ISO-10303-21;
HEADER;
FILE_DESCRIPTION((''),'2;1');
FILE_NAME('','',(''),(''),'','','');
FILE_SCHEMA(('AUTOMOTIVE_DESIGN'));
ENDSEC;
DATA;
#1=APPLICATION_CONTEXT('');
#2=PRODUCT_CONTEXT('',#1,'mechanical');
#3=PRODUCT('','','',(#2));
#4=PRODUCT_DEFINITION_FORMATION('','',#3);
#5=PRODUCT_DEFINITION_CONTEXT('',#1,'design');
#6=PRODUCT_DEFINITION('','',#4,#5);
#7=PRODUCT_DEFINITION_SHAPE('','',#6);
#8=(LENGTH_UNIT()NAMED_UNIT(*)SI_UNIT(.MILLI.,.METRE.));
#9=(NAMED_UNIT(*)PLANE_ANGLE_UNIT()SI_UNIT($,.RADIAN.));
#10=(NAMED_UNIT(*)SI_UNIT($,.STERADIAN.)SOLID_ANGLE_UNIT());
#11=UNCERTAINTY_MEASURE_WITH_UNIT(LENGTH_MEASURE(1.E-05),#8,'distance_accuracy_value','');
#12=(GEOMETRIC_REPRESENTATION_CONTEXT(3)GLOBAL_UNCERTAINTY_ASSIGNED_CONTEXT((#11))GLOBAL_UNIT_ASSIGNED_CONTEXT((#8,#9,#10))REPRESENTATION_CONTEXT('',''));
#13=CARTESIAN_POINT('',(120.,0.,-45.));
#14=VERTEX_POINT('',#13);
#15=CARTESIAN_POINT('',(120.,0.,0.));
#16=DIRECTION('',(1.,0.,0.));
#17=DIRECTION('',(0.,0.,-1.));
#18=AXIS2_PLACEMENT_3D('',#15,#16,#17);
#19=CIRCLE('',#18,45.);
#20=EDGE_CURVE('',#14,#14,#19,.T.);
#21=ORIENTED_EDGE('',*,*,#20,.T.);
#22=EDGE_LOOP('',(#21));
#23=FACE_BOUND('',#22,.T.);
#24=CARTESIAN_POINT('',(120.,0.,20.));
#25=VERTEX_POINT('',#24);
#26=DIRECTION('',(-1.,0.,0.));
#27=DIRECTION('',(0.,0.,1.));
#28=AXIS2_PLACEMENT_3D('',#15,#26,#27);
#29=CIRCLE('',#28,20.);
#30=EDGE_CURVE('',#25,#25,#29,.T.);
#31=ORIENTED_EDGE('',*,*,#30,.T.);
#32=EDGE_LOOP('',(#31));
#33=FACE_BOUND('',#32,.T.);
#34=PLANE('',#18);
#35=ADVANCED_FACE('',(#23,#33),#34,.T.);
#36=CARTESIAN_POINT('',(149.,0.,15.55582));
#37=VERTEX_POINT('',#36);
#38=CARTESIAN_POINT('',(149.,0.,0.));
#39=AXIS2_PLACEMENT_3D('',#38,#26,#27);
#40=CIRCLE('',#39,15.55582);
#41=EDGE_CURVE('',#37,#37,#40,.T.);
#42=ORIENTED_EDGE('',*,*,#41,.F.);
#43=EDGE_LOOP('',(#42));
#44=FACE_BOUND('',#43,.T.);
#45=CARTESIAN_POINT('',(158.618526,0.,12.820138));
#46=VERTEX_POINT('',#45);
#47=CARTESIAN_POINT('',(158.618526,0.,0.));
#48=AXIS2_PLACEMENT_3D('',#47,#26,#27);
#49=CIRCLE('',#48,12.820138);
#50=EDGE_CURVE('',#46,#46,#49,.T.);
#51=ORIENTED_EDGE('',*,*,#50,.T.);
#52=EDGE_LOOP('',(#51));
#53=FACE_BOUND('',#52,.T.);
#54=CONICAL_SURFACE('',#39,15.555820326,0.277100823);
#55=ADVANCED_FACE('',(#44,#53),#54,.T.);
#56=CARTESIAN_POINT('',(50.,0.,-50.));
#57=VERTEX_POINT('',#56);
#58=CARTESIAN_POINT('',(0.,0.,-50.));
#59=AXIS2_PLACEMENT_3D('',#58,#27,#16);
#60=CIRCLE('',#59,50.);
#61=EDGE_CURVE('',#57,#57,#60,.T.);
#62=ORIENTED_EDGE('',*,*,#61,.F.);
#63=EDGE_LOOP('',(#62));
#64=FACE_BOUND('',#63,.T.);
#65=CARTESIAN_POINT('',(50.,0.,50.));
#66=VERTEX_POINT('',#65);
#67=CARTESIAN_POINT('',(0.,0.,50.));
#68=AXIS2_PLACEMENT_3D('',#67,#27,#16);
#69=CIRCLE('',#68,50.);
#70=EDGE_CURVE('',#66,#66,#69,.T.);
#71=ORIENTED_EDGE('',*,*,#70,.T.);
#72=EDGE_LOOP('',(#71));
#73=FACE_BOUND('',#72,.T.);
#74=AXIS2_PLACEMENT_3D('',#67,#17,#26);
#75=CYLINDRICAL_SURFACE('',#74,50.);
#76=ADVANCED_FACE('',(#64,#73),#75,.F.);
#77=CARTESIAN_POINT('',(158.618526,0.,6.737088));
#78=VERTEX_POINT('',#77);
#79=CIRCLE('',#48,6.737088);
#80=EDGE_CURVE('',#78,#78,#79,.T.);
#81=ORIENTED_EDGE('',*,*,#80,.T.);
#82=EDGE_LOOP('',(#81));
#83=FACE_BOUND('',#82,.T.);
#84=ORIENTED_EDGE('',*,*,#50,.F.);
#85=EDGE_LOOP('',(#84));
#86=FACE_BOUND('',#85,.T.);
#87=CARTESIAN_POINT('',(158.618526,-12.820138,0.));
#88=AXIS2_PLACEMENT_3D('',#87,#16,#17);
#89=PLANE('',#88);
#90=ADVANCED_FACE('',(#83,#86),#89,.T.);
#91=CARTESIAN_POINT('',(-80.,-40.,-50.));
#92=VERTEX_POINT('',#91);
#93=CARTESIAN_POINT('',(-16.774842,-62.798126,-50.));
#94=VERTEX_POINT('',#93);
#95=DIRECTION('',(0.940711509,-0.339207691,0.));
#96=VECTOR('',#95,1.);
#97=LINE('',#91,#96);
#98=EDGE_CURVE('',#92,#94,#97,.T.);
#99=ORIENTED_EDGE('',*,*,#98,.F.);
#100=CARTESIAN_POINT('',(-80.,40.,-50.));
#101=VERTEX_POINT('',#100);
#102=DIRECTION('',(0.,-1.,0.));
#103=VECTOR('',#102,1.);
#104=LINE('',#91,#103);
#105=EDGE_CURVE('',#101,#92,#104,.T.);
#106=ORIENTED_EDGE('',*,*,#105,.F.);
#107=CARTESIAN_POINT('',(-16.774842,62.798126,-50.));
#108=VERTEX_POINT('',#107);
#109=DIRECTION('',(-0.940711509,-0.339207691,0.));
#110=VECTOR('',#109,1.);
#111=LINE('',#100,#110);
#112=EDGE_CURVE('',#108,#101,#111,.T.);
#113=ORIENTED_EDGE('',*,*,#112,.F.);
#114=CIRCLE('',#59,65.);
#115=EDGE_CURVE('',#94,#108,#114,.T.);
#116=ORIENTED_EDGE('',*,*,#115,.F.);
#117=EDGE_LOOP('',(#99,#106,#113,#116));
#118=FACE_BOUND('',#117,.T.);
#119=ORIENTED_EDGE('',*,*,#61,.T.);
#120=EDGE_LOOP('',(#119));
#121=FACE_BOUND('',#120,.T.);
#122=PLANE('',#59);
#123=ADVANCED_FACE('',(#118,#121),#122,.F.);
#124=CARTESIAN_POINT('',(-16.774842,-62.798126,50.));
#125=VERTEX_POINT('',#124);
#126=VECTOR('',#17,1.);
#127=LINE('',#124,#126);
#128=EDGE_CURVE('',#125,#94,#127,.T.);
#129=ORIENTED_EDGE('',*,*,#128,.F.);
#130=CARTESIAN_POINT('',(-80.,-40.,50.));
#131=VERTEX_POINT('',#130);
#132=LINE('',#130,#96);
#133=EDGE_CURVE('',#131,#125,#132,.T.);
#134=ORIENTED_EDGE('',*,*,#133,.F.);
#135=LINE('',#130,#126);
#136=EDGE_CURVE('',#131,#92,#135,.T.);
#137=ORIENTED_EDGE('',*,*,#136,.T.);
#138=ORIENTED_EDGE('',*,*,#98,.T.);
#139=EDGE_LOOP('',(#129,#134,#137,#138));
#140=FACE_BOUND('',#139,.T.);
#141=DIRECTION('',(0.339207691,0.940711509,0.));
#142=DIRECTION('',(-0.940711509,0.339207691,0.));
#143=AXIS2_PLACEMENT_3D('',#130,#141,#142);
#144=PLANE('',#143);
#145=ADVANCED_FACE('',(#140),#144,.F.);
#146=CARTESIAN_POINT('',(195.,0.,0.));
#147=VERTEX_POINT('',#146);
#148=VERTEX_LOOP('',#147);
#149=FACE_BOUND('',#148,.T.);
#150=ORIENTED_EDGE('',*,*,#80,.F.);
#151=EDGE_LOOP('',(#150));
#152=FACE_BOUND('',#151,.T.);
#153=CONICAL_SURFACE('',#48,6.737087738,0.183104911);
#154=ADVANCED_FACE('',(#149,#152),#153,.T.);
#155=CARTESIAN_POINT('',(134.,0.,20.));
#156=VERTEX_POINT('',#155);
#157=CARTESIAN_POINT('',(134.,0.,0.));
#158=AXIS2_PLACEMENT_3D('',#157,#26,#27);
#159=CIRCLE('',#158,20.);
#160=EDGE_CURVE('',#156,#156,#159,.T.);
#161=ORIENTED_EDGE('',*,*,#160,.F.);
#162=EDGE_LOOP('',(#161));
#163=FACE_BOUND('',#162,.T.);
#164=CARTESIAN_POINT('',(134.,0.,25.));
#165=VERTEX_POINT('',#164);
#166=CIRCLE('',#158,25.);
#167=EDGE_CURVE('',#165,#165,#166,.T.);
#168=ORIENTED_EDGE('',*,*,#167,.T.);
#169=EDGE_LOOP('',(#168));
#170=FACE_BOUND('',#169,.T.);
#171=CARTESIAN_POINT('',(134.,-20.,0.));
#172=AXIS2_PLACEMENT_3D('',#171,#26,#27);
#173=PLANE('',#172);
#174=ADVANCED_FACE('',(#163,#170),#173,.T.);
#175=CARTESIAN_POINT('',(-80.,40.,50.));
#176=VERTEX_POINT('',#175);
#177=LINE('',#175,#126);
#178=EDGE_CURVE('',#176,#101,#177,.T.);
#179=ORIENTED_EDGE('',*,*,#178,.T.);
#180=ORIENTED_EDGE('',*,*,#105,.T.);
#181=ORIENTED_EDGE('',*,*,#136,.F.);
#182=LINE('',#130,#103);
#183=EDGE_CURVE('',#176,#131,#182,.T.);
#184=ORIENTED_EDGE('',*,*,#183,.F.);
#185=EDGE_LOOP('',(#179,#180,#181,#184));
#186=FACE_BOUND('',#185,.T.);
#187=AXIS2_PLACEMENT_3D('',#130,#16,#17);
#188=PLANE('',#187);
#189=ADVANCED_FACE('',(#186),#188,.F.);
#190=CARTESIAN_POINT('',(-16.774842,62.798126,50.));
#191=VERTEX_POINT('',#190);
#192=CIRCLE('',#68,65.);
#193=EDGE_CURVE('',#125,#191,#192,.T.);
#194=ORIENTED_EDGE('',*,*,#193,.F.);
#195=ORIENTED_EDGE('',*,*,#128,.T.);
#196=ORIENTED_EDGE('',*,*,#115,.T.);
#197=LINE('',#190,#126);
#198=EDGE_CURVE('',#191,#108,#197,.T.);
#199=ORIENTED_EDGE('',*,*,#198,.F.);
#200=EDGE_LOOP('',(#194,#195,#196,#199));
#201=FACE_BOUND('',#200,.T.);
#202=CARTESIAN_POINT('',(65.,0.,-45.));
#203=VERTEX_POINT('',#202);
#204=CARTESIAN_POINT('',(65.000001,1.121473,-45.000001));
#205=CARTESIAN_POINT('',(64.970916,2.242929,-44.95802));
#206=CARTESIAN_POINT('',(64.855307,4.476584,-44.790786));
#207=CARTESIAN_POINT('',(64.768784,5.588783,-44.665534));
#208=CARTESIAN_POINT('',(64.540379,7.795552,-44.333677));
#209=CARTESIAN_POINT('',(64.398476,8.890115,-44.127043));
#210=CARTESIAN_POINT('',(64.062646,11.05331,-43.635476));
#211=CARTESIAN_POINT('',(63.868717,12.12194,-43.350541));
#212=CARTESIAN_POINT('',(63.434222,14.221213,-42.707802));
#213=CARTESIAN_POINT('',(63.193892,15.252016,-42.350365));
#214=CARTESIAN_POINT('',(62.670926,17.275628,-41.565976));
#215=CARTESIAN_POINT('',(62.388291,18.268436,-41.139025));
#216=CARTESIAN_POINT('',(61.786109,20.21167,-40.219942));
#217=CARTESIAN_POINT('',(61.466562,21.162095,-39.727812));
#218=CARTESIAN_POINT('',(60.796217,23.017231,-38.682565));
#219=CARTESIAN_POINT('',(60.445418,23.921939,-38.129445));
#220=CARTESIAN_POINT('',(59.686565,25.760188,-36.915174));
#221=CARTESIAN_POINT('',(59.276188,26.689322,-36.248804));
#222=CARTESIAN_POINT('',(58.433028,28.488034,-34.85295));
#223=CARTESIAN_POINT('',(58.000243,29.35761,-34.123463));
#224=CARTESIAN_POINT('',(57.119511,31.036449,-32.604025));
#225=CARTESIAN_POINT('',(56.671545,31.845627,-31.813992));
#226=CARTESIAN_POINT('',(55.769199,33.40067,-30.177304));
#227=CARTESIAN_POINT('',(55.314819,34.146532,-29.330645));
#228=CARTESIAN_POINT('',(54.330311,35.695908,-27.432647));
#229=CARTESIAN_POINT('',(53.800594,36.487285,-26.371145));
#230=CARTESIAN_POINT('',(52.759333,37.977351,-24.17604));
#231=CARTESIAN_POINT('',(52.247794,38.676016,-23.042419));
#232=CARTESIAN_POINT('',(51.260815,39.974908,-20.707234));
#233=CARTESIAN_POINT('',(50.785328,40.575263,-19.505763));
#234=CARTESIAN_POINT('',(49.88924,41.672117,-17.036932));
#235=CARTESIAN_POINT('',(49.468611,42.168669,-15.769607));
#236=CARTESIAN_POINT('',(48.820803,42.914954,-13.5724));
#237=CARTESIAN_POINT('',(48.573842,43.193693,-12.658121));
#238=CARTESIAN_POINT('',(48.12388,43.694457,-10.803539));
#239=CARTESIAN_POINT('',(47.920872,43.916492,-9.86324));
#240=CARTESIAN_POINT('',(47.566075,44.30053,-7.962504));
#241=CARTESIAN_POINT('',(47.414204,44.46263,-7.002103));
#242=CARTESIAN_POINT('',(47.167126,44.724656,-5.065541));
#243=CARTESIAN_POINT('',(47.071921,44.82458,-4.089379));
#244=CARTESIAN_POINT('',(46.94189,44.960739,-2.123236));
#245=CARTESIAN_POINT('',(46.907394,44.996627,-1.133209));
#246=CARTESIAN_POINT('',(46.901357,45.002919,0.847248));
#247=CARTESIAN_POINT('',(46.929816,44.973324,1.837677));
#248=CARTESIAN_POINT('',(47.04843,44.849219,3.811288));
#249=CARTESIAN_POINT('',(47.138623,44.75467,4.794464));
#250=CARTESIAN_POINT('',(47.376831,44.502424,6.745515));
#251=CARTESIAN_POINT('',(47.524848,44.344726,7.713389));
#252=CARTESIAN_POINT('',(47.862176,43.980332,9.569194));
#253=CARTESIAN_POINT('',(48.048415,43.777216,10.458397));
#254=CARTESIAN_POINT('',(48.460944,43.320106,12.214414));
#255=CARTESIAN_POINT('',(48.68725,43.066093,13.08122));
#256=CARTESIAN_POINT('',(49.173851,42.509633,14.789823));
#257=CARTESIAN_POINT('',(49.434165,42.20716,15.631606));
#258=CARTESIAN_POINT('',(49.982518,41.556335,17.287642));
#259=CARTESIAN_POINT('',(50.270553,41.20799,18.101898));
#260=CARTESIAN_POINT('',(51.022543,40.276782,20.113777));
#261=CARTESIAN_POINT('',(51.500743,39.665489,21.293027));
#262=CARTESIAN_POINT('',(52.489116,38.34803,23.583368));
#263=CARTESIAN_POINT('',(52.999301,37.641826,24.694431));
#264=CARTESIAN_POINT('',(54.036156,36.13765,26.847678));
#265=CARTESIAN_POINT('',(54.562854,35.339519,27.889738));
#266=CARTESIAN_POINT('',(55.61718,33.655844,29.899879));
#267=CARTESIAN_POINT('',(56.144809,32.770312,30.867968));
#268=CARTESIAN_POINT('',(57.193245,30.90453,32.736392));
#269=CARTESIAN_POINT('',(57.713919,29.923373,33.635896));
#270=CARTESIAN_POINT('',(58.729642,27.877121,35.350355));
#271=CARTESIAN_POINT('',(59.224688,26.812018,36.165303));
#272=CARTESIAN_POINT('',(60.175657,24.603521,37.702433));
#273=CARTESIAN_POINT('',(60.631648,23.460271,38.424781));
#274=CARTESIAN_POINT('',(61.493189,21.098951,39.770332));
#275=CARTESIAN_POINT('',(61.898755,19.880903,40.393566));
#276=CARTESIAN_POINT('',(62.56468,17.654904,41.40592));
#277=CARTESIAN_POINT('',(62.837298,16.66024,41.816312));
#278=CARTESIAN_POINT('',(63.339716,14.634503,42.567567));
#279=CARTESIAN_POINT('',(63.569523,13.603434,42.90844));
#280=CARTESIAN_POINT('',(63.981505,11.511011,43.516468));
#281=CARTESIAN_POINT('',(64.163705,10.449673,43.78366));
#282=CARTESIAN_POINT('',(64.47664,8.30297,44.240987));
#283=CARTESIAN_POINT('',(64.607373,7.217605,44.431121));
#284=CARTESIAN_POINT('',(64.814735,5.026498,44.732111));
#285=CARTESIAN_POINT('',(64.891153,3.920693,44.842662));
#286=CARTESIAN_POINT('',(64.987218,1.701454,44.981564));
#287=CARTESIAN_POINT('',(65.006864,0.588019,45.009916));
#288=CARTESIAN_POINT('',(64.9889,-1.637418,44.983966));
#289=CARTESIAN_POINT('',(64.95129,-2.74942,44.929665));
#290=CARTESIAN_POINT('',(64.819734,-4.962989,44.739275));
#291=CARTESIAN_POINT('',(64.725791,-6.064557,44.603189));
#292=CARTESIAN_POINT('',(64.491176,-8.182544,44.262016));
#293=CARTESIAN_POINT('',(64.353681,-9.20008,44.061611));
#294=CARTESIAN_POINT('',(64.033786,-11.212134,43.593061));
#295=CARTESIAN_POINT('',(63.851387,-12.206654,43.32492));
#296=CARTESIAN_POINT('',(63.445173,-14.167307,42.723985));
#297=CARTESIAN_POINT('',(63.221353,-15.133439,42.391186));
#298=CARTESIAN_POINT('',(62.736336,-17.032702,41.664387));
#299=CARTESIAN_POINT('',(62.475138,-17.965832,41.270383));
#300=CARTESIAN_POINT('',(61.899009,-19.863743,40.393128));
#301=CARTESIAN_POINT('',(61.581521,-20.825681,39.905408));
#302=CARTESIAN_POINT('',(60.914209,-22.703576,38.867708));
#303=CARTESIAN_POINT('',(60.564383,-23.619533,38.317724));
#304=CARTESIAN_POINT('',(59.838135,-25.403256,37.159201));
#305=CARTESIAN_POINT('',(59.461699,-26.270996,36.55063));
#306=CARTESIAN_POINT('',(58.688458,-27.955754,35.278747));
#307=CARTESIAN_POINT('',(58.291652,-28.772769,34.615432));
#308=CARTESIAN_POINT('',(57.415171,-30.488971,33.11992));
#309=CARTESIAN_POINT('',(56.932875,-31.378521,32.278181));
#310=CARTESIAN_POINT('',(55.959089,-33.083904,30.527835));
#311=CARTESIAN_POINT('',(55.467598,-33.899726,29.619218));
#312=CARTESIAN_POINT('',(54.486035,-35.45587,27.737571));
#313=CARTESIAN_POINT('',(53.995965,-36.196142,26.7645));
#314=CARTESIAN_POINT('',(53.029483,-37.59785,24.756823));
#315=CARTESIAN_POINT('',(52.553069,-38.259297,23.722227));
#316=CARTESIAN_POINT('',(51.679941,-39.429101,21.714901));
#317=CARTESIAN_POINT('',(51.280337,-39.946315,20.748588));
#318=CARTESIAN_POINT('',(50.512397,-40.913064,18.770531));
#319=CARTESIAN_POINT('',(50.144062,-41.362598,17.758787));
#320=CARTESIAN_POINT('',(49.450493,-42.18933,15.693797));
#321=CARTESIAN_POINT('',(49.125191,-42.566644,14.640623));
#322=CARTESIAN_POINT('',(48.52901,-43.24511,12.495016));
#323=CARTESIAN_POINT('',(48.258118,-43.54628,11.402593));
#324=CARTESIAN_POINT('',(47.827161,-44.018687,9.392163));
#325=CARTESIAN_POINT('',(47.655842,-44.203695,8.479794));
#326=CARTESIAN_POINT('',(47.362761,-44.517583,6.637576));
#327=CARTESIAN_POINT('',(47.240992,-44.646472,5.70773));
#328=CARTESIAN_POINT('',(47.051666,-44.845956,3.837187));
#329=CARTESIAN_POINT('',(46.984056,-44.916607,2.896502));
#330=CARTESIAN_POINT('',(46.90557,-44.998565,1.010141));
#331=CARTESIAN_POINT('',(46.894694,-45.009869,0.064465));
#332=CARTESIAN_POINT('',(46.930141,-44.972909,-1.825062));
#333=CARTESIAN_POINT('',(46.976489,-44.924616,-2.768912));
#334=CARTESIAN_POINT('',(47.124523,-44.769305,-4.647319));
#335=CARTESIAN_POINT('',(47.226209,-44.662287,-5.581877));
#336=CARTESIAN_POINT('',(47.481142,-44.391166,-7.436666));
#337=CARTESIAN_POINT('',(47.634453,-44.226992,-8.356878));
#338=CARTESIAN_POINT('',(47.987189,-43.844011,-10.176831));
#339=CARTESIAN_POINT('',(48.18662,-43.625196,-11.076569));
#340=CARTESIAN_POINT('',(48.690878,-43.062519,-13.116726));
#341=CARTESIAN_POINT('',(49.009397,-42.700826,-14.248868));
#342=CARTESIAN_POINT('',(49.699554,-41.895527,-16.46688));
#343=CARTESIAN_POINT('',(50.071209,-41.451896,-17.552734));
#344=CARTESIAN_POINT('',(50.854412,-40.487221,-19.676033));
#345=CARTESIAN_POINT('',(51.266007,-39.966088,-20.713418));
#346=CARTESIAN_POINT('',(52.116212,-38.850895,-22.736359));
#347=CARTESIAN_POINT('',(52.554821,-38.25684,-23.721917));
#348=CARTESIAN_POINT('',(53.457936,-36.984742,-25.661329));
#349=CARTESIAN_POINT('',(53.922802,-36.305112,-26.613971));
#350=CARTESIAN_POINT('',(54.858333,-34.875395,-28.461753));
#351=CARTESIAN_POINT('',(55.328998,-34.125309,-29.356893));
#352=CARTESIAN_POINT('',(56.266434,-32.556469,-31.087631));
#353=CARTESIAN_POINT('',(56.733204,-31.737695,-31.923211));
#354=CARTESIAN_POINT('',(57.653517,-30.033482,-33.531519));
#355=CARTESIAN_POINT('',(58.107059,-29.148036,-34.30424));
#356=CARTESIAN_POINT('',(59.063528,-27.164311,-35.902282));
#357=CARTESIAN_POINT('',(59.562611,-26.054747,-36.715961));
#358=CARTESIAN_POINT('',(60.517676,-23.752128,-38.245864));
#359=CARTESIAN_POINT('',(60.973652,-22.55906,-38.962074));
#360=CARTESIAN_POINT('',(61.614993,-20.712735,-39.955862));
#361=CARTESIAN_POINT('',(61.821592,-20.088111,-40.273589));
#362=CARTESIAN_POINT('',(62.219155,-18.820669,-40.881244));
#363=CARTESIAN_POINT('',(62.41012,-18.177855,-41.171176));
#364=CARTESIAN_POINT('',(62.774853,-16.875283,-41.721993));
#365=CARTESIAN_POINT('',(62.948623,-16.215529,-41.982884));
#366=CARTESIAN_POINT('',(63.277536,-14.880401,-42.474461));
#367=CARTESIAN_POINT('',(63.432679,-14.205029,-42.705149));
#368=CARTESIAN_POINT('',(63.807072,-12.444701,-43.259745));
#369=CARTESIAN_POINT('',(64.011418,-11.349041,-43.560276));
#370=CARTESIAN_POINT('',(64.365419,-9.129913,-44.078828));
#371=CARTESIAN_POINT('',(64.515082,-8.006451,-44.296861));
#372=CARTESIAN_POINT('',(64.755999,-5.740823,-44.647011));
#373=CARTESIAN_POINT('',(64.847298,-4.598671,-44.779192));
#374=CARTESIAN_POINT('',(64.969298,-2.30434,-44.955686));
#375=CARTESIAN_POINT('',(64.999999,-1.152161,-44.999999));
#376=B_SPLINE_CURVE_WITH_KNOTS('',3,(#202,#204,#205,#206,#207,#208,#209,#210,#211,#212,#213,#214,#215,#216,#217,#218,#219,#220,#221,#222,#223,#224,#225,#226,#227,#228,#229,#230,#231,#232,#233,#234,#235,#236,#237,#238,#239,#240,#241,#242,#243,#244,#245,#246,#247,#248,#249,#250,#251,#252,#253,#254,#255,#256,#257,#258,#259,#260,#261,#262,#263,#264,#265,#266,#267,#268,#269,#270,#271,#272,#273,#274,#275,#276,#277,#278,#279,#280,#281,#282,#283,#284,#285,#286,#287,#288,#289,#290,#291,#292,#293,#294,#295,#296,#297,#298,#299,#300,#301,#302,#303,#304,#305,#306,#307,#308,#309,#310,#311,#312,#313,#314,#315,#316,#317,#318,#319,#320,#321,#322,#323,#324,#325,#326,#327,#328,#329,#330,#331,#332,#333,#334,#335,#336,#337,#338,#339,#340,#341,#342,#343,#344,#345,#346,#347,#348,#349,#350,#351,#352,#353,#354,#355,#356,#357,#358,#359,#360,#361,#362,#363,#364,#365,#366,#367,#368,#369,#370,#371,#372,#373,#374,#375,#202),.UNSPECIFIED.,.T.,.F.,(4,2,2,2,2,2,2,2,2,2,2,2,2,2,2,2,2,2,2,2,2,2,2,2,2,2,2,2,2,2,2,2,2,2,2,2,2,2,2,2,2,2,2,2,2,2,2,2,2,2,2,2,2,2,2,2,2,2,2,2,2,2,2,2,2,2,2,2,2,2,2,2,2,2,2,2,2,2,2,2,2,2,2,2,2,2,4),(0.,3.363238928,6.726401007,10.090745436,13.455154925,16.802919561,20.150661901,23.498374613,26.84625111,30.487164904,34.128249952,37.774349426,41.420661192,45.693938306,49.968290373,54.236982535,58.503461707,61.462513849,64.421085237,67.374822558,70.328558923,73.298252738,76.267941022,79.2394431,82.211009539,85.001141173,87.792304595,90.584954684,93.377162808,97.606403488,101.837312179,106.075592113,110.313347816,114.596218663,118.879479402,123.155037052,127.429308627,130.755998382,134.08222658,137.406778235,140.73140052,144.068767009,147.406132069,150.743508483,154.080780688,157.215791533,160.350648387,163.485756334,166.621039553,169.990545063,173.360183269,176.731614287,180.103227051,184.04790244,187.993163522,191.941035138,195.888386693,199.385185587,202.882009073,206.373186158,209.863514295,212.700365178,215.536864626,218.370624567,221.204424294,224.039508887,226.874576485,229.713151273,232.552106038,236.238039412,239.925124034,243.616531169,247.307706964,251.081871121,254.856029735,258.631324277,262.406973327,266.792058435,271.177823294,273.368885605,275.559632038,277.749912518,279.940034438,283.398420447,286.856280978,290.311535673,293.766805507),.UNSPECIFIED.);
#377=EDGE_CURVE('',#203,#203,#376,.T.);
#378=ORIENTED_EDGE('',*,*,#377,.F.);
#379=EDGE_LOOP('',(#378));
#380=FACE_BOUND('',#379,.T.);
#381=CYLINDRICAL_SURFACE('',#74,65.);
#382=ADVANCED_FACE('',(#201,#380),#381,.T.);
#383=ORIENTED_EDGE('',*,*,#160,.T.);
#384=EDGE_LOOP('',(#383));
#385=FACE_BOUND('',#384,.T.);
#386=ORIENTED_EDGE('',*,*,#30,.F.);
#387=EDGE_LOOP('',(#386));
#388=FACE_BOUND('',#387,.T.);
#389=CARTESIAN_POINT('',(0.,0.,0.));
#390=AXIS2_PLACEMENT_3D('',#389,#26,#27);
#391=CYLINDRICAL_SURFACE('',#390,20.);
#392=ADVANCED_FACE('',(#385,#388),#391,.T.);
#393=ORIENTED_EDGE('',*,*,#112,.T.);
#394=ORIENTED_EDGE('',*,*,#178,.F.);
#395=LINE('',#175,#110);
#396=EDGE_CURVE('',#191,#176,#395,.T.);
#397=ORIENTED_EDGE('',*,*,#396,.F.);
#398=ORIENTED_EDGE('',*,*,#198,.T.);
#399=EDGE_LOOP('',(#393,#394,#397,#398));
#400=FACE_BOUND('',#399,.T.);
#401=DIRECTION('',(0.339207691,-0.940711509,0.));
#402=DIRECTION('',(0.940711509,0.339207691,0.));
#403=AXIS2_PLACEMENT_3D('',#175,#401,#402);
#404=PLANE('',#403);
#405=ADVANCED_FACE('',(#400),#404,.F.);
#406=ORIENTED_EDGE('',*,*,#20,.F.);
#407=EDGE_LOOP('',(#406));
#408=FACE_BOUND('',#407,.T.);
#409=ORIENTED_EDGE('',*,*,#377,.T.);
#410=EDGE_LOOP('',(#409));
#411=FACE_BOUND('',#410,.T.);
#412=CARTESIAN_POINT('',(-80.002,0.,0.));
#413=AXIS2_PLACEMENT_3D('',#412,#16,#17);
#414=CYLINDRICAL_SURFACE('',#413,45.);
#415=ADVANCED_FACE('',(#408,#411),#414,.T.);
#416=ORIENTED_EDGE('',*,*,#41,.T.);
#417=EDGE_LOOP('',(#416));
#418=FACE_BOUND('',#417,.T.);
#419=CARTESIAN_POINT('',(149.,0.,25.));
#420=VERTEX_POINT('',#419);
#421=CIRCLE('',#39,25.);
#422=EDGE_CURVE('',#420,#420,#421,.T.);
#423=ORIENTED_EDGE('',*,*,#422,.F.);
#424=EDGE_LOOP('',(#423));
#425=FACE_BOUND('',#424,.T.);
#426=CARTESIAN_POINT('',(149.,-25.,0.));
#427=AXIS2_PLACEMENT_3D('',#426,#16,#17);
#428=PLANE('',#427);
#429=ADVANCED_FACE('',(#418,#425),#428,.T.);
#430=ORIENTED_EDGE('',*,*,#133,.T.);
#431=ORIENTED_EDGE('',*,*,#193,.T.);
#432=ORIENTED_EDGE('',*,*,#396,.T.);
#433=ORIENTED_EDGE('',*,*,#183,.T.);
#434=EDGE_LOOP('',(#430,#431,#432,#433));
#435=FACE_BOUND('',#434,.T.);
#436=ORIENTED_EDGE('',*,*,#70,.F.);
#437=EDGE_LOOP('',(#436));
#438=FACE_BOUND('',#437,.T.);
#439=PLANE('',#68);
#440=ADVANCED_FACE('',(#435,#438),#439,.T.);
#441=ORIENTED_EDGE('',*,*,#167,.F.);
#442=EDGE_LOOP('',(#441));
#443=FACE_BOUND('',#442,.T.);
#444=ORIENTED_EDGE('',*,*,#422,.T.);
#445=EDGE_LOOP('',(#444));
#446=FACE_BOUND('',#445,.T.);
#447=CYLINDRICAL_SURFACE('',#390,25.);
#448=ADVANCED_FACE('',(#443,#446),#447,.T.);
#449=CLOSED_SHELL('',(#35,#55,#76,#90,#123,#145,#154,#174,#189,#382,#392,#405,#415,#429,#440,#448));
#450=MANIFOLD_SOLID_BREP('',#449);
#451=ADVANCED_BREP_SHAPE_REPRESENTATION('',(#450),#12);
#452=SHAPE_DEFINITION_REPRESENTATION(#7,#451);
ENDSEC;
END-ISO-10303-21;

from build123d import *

# Parameters (mm, degrees)
SKETCH2_R                = 50
BOSS_EXTRUDE1_DEPTH      = 50
BOSS_EXTRUDE2_REACH      = 218.16
BOSS_EXTRUDE2_END_RADIUS = 65
SKETCH3_R                = 45


with BuildPart() as part:
    # Sketch2 → Boss-Extrude1 (new, symmetric)
    with BuildSketch(Plane.XY):
        with BuildLine():
            Line((-80, -40), (-80, 40))
            Line((-80, 40), (-16.774841978, 62.798126378))
            ThreePointArc((-16.774841978, 62.798126378), (65, 0), (-16.774841978, -62.798126378))
            Line((-16.774841978, -62.798126378), (-80, -40))
        make_face()
        Circle(SKETCH2_R, mode=Mode.SUBTRACT)
    extrude(amount=BOSS_EXTRUDE1_DEPTH, both=True)

    # Boss-Extrude2: up to this cylinder (the profile starts outside it)
    boss_extrude2_end = Plane(origin=(0, 0, 0), z_dir=(0, 0, -1)) * Cylinder(BOSS_EXTRUDE2_END_RADIUS, 567.32, mode=Mode.PRIVATE)
    # Sketch3 → Boss-Extrude2 (add, up to the surface)
    with BuildSketch(Plane(origin=(120, 0, 0), x_dir=(0, 0, -1), z_dir=(1, 0, 0)), mode=Mode.PRIVATE) as boss_extrude2_sk1:
        Circle(SKETCH3_R)
    boss_extrude2_tool1 = extrude(boss_extrude2_sk1.sketch, amount=-BOSS_EXTRUDE2_REACH, mode=Mode.PRIVATE) - boss_extrude2_end
    add(boss_extrude2_tool1.solids().sort_by_distance((120, 0, 0))[0])

    # Sketch4 → Revolve1 (revolve)
    with BuildSketch(Plane.XY, mode=Mode.PRIVATE) as revolve1_sk:
        Polygon((120, 0), (120, -20), (134, -20), (134, -25), (149, -25), (149, -15.555820326), (158.618526022, -12.820138114), (158.618526022, -6.737087738), (195, 0), align=None)
    revolve(revolve1_sk.sketch.rotate(Axis((0, 0, 0), (1, 0, 0)), 270), axis=Axis((0, 0, 0), (1, 0, 0)))


solid = part.part
